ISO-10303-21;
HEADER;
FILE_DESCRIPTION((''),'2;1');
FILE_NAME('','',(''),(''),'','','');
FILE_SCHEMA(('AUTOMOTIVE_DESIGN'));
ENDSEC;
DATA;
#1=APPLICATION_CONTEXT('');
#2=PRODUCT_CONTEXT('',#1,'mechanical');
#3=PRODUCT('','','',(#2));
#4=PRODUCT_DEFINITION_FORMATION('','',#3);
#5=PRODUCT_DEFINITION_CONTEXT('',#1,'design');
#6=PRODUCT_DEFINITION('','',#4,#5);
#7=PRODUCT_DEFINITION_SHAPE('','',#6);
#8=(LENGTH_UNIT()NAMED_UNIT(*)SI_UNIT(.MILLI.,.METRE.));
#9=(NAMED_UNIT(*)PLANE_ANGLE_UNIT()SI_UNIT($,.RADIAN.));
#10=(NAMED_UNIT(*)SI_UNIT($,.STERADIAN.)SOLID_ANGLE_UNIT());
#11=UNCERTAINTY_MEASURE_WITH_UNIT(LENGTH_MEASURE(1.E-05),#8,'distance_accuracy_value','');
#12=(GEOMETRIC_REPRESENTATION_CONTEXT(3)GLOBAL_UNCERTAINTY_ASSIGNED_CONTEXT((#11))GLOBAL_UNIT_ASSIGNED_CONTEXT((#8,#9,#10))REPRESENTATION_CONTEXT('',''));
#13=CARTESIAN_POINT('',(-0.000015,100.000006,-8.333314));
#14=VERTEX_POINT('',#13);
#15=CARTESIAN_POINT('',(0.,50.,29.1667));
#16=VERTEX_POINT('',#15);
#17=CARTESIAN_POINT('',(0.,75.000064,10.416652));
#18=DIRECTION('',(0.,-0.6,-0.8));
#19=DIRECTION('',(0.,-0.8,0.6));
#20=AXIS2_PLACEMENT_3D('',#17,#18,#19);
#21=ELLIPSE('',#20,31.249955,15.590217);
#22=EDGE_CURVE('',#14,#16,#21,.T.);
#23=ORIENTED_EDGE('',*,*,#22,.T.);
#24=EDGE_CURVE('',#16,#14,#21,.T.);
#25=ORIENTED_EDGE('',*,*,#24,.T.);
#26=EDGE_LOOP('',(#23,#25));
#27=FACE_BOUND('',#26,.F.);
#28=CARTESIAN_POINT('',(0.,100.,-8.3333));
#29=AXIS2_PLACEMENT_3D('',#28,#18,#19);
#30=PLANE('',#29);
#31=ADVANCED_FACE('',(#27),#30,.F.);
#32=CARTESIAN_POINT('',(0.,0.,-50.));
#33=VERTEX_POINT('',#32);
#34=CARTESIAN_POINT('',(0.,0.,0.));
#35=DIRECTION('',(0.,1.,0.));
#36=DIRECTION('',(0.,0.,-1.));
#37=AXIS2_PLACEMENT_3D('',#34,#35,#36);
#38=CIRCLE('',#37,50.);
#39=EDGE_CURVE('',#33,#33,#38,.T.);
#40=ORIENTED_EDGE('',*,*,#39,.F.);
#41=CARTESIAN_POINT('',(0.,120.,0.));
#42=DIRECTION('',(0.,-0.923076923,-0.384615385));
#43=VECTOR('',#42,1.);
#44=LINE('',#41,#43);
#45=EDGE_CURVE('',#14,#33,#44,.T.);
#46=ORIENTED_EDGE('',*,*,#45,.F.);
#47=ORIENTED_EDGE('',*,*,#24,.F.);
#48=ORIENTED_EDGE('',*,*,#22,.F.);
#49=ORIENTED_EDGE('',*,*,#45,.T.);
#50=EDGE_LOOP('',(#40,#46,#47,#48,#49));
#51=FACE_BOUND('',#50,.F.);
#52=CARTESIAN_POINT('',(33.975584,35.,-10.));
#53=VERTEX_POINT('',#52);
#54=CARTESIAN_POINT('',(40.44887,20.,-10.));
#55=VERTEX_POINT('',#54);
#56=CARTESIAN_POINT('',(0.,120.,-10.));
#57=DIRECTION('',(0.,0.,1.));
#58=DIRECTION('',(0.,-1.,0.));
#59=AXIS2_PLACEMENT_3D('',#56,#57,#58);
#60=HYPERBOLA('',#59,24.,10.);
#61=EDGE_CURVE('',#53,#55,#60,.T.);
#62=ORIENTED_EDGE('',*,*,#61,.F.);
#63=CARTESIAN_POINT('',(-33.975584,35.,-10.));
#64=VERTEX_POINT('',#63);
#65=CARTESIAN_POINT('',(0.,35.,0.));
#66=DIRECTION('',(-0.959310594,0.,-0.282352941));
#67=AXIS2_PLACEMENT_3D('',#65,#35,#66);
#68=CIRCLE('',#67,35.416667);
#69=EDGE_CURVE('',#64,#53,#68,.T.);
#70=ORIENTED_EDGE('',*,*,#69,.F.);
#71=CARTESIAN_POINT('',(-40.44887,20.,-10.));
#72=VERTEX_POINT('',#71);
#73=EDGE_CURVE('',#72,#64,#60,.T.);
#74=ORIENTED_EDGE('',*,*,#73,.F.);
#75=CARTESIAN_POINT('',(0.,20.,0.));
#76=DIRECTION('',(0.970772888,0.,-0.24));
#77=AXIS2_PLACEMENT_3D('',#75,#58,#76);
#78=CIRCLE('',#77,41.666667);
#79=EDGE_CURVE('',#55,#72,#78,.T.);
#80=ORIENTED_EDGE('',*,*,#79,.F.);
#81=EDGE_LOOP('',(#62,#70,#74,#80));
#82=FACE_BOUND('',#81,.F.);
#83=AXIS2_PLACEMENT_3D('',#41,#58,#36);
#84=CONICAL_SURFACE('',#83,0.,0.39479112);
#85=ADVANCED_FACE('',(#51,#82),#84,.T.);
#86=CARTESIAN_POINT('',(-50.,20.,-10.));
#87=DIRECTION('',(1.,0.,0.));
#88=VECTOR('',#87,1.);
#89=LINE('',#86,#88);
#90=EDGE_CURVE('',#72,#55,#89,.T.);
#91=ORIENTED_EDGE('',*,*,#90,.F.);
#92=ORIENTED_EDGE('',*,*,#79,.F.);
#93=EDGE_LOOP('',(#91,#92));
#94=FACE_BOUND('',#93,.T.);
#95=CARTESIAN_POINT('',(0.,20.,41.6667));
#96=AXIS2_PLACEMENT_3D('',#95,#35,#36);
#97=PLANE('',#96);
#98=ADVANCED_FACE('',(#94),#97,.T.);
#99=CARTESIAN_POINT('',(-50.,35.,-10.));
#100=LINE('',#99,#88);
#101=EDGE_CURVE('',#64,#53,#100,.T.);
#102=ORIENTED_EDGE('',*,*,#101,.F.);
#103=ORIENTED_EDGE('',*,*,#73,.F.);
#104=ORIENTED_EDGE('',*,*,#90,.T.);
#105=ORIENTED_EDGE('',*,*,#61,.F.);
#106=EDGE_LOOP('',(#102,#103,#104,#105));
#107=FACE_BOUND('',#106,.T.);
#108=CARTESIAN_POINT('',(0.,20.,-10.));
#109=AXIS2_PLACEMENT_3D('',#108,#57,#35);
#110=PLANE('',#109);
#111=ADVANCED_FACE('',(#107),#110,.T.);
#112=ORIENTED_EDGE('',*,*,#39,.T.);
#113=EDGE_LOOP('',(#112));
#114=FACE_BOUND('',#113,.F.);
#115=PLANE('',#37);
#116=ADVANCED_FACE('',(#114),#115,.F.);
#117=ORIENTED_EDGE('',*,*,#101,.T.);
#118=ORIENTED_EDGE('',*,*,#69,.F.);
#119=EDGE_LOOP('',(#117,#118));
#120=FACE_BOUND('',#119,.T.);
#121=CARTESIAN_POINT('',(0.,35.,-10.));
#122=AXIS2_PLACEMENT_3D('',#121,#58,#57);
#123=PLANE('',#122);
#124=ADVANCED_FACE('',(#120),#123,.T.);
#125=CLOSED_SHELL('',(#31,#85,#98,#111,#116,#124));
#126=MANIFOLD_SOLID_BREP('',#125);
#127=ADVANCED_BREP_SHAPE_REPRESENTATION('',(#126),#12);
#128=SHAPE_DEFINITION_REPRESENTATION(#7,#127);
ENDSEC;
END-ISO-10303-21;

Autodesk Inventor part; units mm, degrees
ref_plane "YZ Plane" through (0, 0, 0) normal (1, 0, 0) x (0, 1, 0)
ref_plane "XZ Plane" through (0, 0, 0) normal (0, 1, 0) x (-1, 0, 0)
ref_plane "XY Plane" through (0, 0, 0) normal (0, 0, 1) x (1, 0, 0)
sketch "Эскиз1" plane through (0, 0, 0) normal (1, 0, 0) x (0, 1, 0)
  line L0 (0, 0) -> (120, 0)
  line L1 (120, 0) -> (0, -50)
  line L2 (0, -50) -> (0, 0)
  dimension "d0" = 50
  dimension "d1" = 120
revolve "Вращение1" add sketch "Эскиз1" angle 360 about axis through (0, 0, 0) along (0, 1, 0)
sketch "Эскиз3" plane through (0, 0, 0) normal (1, 0, 0) x (0, 1, 0)
  line L0 (100, 0) -> (100, -8.3333)
  line L1 (0, -50) -> (120, 0) projected
  line L2 (0, 50) -> (120, 0) projected
  line L3 (50, 29.1667) -> (50, 0)
  line L4 (0, 0) -> (20, 0)
  line L5 (20, 41.6667) -> (20, 0)
  line L6 (20, -10) -> (35, -10)
  line L7 (35, -10) -> (35, 35.4167)
  line L8 (0, -50) -> (0, 50) projected
  line L9 (100, -8.3333) -> (50, 29.1667)
  line L10 (20, 0) -> (20, -10)
  dimension "d8" = 100
  dimension "d10" = 15
  dimension "d11" = 20
  dimension "d12" = 50
extrude "Выдавливание2" cut sketch "Эскиз3" along normal mid plane 100 contours L9 L2 L1 | L5 L2 L7 L6 L10
properties part number "20"
